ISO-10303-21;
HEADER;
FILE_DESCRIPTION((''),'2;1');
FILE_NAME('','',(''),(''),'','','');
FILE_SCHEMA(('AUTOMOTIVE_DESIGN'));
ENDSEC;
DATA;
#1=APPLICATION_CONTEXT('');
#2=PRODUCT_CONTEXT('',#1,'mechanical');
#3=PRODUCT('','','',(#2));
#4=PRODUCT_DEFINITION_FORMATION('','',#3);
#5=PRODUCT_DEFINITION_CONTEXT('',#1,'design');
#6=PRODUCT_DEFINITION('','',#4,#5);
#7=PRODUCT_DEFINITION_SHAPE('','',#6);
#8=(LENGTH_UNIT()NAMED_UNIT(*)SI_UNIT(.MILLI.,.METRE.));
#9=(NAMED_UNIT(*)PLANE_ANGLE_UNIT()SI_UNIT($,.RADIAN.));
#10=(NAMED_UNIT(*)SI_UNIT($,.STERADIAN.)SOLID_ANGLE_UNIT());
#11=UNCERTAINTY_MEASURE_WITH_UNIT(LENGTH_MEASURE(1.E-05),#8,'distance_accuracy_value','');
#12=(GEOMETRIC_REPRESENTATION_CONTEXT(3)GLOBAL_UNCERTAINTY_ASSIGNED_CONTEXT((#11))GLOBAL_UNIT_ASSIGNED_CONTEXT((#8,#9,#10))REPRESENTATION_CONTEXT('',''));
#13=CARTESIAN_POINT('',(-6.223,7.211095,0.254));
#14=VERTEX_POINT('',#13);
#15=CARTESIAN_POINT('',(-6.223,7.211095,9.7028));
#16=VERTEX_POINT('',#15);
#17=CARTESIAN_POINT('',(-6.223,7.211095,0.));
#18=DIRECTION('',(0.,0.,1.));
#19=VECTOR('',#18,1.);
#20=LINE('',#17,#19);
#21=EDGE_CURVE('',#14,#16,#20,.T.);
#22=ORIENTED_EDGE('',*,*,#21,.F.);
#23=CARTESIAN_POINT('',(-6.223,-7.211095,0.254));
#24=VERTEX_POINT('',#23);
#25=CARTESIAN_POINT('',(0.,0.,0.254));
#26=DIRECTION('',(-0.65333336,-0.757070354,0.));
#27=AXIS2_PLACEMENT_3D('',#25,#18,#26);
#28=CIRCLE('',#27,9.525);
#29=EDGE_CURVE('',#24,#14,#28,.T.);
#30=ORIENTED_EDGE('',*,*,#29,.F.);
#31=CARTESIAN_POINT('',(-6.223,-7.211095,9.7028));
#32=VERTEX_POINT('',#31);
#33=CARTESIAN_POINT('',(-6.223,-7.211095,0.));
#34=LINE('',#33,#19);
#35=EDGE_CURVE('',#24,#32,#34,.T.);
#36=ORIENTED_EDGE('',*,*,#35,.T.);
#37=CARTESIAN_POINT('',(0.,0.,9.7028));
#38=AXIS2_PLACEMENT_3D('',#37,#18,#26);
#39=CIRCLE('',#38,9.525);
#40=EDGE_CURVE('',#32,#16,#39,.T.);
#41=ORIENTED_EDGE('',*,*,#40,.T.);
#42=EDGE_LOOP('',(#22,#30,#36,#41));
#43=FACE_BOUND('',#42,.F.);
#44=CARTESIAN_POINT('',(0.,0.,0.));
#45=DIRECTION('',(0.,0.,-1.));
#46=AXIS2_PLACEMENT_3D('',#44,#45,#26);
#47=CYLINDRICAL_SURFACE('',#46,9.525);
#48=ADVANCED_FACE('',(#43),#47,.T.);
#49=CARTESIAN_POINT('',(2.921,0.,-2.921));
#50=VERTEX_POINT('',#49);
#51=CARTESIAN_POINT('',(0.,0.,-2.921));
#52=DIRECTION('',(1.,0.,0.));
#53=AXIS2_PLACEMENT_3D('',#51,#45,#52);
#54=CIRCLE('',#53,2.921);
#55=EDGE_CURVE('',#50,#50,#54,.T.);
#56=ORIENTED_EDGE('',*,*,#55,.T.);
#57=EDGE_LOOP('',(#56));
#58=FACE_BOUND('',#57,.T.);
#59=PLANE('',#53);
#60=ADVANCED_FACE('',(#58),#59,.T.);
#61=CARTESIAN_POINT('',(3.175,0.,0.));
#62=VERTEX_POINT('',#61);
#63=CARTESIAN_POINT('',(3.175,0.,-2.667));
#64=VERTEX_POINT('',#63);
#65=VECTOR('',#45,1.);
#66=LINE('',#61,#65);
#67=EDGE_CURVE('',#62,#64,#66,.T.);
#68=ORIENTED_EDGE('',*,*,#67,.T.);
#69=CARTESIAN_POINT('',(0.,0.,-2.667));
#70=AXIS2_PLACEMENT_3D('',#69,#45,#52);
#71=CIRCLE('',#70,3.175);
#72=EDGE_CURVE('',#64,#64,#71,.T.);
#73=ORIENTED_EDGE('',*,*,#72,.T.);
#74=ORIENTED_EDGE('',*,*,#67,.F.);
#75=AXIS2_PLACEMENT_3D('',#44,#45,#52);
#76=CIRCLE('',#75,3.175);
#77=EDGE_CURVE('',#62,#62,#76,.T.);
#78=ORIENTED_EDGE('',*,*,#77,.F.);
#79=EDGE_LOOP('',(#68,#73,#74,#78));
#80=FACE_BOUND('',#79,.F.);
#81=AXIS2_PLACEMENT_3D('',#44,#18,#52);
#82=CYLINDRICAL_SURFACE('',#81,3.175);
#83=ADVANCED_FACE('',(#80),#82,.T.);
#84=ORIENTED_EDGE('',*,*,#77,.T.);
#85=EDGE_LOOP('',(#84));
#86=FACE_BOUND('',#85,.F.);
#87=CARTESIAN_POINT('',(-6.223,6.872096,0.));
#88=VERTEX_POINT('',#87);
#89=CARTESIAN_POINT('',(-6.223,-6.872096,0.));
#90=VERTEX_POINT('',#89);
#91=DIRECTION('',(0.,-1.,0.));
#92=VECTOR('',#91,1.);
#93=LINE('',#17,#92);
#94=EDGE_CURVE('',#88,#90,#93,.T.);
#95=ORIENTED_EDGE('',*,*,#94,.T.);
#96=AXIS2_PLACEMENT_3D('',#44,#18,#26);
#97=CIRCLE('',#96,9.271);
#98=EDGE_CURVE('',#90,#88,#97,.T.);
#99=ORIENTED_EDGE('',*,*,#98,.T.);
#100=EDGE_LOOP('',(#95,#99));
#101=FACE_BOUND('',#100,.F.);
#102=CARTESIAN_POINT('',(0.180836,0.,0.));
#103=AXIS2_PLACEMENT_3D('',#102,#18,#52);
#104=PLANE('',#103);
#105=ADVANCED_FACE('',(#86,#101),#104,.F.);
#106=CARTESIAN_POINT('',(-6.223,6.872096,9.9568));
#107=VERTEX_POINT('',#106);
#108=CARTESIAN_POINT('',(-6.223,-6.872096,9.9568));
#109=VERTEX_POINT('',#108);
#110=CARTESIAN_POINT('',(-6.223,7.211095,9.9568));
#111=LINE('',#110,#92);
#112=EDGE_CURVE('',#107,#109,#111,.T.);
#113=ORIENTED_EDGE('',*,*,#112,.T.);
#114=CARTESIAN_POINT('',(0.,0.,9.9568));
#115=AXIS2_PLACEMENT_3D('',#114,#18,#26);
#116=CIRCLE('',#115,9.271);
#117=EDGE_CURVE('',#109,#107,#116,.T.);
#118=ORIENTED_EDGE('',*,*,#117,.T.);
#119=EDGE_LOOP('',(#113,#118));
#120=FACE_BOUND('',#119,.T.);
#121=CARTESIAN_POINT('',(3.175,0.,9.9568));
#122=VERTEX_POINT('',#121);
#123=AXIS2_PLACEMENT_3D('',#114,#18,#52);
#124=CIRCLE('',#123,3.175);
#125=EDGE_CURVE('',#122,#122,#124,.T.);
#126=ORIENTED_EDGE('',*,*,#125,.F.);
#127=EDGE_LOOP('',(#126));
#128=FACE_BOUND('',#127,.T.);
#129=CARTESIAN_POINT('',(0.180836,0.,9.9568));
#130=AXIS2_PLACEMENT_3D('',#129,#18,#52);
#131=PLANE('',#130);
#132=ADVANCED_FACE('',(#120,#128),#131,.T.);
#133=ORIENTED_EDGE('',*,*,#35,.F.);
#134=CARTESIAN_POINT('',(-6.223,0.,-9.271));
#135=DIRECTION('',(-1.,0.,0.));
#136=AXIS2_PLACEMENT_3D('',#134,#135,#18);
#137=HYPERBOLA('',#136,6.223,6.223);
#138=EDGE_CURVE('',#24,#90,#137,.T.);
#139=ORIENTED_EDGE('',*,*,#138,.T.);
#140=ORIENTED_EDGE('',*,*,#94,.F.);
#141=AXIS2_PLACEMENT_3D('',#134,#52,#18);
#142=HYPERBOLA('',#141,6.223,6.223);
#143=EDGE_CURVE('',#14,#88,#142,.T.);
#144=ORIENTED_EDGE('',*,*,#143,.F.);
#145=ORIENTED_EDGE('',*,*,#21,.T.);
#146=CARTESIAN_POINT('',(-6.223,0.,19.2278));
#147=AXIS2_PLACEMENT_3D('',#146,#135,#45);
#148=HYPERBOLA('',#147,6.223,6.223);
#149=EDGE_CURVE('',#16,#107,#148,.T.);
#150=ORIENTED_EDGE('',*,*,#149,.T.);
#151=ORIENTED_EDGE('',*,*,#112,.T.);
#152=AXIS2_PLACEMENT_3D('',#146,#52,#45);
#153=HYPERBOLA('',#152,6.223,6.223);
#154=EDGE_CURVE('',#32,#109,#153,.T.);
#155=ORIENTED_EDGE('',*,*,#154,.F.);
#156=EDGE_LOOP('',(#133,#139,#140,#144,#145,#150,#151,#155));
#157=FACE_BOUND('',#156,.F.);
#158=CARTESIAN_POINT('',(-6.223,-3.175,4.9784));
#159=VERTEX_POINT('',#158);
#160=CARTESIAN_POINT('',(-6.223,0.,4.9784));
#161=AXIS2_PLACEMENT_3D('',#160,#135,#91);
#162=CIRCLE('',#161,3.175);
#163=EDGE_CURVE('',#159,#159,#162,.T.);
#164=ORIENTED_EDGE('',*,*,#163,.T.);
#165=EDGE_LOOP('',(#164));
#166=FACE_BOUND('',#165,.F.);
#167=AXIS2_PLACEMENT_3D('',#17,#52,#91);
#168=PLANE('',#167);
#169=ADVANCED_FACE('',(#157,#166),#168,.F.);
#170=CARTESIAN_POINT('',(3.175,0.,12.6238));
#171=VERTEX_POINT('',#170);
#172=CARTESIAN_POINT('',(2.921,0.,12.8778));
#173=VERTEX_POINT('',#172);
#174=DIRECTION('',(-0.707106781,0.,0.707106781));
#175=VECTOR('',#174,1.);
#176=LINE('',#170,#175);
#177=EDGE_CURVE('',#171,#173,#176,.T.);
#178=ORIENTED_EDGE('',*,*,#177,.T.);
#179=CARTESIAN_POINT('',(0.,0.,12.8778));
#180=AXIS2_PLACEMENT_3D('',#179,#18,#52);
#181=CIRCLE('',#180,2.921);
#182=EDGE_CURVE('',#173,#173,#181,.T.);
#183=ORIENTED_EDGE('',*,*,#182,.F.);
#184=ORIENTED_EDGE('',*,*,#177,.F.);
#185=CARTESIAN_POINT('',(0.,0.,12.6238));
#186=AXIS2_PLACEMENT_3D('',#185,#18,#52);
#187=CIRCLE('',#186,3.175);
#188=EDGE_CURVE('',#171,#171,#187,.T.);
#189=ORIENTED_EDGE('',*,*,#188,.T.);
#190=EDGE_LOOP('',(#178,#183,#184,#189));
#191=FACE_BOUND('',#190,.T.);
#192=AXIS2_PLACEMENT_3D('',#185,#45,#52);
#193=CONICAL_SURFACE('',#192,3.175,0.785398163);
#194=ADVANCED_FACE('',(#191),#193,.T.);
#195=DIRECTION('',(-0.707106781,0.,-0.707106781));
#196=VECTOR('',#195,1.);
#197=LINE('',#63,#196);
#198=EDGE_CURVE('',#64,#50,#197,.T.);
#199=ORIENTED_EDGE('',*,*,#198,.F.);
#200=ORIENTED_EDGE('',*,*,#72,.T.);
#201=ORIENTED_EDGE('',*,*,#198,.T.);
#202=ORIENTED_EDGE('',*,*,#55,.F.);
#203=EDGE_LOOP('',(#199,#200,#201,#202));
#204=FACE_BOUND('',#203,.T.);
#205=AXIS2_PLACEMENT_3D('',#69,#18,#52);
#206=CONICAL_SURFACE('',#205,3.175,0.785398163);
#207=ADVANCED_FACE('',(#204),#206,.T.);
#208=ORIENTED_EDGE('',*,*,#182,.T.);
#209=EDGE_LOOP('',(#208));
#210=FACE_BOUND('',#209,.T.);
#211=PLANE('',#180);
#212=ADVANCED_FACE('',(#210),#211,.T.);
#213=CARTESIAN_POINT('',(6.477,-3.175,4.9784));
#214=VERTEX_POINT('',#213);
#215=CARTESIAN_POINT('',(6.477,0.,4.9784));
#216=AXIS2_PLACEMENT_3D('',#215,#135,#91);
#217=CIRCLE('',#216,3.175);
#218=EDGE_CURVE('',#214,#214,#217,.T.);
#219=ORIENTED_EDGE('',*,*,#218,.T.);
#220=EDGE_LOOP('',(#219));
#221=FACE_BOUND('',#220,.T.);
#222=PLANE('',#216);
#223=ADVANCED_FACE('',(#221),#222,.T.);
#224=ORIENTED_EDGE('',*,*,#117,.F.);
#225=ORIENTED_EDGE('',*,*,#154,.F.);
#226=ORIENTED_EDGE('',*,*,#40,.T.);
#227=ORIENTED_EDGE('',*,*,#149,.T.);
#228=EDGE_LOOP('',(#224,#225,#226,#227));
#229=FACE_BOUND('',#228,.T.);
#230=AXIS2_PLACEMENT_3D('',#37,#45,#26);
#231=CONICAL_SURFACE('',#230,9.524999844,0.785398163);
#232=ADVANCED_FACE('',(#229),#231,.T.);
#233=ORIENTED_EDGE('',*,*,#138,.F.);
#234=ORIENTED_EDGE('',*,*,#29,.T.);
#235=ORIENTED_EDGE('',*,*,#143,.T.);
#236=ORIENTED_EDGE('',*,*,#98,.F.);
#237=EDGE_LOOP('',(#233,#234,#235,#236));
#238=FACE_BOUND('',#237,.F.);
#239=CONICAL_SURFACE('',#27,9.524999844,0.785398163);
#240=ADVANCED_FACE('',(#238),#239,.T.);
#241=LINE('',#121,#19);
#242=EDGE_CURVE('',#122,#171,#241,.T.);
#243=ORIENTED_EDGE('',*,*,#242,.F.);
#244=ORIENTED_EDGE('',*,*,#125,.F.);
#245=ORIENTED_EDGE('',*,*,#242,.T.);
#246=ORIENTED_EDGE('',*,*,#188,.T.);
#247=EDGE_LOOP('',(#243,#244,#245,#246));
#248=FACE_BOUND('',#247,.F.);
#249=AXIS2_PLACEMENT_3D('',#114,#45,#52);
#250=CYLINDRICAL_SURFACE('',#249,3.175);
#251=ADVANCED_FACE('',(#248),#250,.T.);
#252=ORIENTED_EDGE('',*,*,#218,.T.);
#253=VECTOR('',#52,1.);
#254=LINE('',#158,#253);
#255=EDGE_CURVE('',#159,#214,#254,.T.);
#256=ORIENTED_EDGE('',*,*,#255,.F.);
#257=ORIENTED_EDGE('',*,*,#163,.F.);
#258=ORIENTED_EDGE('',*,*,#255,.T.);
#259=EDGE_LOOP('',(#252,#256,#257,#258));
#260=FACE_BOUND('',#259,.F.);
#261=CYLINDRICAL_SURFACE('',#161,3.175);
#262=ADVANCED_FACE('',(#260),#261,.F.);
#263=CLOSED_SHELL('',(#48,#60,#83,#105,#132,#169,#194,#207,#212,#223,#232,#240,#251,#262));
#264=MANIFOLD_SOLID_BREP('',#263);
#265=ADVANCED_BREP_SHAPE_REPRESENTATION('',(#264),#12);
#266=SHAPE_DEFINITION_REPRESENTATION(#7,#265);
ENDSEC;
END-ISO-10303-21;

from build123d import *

# Parameters (mm, degrees)
F1_DEPTH = 9.9568
F2_R     = 3.175
F3_DEPTH = 2.921
F4_R     = 3.175
F5_DEPTH = 2.921
F6_R     = 3.175
F7_DEPTH = 12.7
F8_SIZE  = 0.254


with BuildPart() as f1:
    # F0 (on Top) → F1 (new body)
    with BuildSketch(Plane.XY):
        with BuildLine():
            Line((-6.223, 7.211095), (-6.223, -7.211095))
            ThreePointArc((-6.223, -7.211095), (9.525, 0), (-6.223, 7.211095))
        make_face()
    extrude(amount=F1_DEPTH)

    # F2 (on face) → F3 (join)
    with BuildSketch(Plane(origin=(0, 0, 0), x_dir=(1, 0, 0), z_dir=(0, 0, -1))):
        Circle(F2_R)
    extrude(amount=F3_DEPTH)

    # F4 (on face) → F5 (join)
    with BuildSketch(Plane.XY.offset(9.9568)):
        Circle(F4_R)
    extrude(amount=F5_DEPTH)

    # F6 (on face) → F7 (cut)
    with BuildSketch(Plane(origin=(-6.223, 0, 0), x_dir=(0, -1, 0), z_dir=(-1, 0, 0))):
        with Locations((0, 4.9784)):
            Circle(F6_R)
    extrude(amount=-F7_DEPTH, mode=Mode.SUBTRACT)

    # F8
    f8_edges = [f1.edges().sort_by_distance(p)[0] for p in [
        (-3.175, 0, -2.921),
        (9.525, 0, 9.9568),
        (9.525, 0, 0),
        (-3.175, 0, 12.8778),
    ]]
    chamfer(f8_edges, length=F8_SIZE)


solid = f1.part
